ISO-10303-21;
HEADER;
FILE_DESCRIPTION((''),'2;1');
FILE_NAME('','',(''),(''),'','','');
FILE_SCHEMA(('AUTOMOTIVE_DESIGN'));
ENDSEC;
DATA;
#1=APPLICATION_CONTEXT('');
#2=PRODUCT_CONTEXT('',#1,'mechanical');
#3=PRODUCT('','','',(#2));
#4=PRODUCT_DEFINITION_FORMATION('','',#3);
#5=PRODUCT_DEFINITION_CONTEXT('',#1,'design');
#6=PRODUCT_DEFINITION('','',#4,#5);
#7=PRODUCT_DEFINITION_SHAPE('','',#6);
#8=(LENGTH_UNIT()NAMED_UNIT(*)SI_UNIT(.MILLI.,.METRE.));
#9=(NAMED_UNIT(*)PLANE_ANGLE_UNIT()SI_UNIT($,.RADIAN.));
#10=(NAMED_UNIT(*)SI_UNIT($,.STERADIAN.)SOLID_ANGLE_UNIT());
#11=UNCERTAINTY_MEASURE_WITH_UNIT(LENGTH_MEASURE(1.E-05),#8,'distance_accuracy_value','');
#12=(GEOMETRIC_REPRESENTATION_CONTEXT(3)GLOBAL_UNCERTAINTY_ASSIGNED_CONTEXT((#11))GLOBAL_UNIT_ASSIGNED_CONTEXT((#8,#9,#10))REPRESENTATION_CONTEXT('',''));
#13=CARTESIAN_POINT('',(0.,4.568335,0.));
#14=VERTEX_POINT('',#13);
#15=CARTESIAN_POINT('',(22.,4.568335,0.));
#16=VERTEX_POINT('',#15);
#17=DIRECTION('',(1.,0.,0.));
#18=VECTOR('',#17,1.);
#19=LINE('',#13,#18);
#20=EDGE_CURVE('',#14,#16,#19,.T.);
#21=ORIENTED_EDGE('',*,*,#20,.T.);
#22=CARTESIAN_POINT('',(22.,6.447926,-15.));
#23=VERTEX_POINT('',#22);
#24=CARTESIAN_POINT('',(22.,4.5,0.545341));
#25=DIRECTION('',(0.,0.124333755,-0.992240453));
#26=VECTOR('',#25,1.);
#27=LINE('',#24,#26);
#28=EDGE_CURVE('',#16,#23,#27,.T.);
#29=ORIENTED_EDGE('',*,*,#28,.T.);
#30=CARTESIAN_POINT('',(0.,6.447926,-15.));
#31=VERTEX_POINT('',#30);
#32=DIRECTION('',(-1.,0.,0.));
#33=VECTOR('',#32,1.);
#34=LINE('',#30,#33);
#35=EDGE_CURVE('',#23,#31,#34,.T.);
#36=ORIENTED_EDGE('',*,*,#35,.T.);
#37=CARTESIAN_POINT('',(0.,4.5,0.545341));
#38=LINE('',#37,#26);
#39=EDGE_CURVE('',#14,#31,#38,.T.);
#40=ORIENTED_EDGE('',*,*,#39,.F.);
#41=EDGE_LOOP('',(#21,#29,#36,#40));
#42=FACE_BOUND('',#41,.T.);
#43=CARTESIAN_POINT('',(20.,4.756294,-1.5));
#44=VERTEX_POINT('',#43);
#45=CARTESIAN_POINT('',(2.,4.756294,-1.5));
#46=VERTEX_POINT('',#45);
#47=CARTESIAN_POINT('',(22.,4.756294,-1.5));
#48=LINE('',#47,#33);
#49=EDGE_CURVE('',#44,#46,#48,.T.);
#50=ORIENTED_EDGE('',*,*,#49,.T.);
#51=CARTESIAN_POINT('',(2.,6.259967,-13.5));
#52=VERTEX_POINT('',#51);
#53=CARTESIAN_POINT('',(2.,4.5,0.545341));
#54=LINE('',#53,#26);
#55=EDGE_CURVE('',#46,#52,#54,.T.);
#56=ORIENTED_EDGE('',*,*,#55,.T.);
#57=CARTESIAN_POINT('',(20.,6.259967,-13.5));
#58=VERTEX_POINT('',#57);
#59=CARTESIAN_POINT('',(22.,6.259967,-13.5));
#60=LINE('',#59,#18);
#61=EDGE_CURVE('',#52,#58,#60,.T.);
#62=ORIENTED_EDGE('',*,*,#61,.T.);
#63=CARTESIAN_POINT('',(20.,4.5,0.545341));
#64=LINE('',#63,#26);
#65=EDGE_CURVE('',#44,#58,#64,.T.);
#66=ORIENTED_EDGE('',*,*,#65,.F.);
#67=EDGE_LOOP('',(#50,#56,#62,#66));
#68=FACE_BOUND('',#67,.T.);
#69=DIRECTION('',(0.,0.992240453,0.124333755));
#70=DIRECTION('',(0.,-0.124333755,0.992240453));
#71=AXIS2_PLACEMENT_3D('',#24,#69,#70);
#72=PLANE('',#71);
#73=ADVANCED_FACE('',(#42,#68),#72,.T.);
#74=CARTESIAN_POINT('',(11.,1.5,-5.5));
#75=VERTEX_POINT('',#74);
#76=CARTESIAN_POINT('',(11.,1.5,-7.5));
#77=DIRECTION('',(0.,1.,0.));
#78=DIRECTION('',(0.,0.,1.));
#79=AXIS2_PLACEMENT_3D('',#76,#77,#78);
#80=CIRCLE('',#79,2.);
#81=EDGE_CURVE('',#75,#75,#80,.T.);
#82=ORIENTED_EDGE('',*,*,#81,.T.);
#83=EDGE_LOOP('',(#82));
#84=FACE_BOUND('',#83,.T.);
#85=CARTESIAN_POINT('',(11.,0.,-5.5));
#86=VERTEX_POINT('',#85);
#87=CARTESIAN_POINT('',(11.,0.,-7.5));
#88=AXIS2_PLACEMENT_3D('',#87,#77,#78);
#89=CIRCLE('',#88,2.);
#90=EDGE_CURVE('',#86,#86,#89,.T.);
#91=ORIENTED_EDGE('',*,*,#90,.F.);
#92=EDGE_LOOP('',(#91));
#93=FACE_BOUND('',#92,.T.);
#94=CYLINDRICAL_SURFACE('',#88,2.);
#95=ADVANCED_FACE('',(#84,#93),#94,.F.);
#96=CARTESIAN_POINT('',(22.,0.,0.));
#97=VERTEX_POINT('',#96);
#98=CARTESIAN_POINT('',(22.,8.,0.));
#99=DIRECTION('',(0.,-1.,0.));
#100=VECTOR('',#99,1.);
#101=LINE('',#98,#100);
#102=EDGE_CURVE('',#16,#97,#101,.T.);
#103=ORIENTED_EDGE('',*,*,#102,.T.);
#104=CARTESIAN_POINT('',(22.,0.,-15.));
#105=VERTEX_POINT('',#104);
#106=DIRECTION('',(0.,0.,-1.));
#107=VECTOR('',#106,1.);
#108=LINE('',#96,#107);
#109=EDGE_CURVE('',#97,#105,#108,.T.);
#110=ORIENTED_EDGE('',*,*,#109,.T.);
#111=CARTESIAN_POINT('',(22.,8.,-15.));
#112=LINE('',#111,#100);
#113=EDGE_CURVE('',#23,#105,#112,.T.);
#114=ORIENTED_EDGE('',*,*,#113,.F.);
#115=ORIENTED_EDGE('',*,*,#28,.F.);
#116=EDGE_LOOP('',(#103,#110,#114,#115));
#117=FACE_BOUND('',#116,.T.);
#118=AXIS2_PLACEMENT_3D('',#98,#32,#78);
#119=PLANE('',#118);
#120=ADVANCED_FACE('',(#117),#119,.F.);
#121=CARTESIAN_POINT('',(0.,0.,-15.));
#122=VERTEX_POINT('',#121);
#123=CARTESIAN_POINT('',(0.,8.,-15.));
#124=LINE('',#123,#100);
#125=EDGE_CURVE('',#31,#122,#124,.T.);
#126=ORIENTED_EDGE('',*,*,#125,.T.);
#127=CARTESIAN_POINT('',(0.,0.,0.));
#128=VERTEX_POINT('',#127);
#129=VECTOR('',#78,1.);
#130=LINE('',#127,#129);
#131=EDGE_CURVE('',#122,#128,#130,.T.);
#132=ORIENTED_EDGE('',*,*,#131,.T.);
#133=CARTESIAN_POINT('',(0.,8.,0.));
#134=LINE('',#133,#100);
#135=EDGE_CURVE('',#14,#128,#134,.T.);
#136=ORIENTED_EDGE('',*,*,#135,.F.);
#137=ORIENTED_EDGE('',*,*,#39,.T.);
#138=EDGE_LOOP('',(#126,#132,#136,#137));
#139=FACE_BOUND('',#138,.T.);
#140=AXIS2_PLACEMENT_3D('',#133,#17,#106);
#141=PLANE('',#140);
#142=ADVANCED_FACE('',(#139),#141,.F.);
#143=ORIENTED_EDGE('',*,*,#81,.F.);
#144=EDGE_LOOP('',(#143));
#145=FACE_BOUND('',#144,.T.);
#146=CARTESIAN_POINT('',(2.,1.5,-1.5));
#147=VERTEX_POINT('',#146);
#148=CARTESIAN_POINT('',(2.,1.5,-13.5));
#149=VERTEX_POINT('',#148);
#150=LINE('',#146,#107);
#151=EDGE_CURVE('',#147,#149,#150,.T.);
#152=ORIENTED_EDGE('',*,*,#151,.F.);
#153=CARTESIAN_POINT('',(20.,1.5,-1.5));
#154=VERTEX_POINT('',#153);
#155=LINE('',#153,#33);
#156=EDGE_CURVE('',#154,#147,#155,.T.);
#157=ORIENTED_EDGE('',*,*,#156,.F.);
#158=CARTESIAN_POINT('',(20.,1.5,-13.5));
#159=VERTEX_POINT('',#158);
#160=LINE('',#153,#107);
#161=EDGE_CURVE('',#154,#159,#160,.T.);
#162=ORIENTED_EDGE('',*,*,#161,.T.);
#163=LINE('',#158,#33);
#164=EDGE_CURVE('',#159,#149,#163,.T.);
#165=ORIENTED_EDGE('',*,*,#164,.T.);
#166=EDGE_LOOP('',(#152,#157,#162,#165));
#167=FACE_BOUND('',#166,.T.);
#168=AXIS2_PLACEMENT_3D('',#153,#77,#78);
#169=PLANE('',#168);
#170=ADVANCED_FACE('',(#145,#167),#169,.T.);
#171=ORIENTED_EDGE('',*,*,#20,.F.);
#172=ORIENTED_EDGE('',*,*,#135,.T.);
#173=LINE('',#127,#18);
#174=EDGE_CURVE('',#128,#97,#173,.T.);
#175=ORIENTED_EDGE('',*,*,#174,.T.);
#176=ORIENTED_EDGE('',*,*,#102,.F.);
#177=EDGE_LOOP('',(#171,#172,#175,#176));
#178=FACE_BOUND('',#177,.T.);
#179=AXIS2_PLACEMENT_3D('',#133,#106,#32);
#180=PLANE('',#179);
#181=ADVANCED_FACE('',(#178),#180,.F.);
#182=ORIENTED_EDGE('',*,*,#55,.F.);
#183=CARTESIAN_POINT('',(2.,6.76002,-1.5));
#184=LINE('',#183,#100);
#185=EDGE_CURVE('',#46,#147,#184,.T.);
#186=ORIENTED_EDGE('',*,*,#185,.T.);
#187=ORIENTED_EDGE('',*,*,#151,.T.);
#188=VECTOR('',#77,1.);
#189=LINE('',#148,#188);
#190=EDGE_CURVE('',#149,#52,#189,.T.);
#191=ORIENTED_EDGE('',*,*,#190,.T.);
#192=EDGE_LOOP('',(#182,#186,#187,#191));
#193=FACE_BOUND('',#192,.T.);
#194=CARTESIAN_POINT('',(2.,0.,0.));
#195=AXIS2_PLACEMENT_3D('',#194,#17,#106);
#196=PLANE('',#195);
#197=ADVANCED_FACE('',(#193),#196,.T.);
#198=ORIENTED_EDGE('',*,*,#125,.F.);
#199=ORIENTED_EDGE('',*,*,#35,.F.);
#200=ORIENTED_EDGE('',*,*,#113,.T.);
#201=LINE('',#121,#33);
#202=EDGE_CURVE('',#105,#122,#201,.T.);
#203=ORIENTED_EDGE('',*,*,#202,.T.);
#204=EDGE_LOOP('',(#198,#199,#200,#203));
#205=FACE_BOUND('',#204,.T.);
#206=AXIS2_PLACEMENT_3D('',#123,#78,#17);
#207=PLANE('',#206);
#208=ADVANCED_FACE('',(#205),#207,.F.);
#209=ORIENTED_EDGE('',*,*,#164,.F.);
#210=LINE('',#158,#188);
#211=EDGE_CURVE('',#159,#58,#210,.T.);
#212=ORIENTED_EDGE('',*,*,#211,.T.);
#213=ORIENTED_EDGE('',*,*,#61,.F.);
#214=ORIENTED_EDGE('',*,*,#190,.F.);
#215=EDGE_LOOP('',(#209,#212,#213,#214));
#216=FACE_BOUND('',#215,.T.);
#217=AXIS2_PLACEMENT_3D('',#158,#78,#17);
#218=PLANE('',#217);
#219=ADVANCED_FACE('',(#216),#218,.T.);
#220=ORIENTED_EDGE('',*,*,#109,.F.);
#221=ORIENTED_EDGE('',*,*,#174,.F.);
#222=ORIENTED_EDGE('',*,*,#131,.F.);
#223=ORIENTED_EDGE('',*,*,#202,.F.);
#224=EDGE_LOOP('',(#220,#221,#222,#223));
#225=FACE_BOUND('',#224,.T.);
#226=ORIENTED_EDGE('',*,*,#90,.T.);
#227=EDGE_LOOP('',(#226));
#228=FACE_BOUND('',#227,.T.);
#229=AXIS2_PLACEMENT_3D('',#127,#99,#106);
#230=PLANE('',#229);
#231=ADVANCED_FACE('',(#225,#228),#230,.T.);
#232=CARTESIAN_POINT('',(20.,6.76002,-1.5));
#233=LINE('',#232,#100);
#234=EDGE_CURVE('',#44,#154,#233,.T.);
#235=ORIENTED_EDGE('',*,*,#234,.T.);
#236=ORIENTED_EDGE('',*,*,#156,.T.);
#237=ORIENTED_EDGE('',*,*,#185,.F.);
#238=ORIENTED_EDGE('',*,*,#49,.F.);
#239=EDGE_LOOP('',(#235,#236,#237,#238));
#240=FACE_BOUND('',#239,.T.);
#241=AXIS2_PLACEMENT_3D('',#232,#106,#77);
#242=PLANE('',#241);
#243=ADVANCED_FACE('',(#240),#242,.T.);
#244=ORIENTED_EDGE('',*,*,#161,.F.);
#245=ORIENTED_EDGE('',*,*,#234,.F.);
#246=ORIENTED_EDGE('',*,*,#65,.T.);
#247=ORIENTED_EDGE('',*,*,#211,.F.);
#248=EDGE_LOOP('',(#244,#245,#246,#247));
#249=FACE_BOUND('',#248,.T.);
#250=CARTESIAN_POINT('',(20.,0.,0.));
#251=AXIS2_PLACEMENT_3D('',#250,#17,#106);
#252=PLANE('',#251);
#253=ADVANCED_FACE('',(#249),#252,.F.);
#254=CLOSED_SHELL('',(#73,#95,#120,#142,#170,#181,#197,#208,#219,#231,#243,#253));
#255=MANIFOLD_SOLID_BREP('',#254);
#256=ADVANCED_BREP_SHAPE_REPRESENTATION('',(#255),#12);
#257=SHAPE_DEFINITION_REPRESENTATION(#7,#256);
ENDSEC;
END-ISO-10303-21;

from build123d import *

# Parameters (mm, degrees)
SKETCH2_W               = 22
SKETCH2_H               = 15
BOSS_EXTRUDE1_DEPTH     = 8
CUT_EXTRUDE2_DEPTH      = 27.248809497
CUT_EXTRUDE2_DEPTH_BACK = 27.248809497
SKETCH7_W               = 12
SKETCH7_H               = 5.260019913
CUT_EXTRUDE3_DEPTH      = 18
CUT_EXTRUDE4_DEPTH      = 28.082872227
CUT_EXTRUDE4_DEPTH_BACK = 28.082872227
SKETCH9_R               = 2


with BuildPart() as part:
    # Sketch2 → Boss-Extrude1 (new body)
    with BuildSketch(Plane(origin=(0, 0, 0), x_dir=(1, 0, 0), z_dir=(0, 1, 0))):
        with Locations((11, 7.5)):
            Rectangle(SKETCH2_W, SKETCH2_H)
    extrude(amount=BOSS_EXTRUDE1_DEPTH)

    # Sketch6 → Cut-Extrude2 (cut, two sides: drawn at the far end of the back side and taken through both)
    with BuildSketch(Plane(origin=(2, 0, 0), x_dir=(0, 0, -1), z_dir=(1, 0, 0)).offset(-CUT_EXTRUDE2_DEPTH_BACK)):
        Polygon((-0.545340916, 4.5), (15.415577352, 6.5), (15.415577352, 8.571331794), (-0.545340916, 8.571331794), align=None)
    extrude(amount=CUT_EXTRUDE2_DEPTH + CUT_EXTRUDE2_DEPTH_BACK, mode=Mode.SUBTRACT)

    # Sketch7 → Cut-Extrude3 (cut)
    with BuildSketch(Plane(origin=(2, 0, 0), x_dir=(0, 0, -1), z_dir=(1, 0, 0))):
        with Locations((7.5, 4.130009957)):
            Rectangle(SKETCH7_W, SKETCH7_H)
    extrude(amount=CUT_EXTRUDE3_DEPTH, mode=Mode.SUBTRACT)

    # Sketch9 → Cut-Extrude4 (cut, two sides: drawn at the far end of the back side and taken through both)
    with BuildSketch(Plane(origin=(0, 1.5, 0), x_dir=(1, 0, 0), z_dir=(0, 1, 0)).offset(-CUT_EXTRUDE4_DEPTH_BACK)):
        with Locations(Location((11, 7.5, 0), (0, 0, 270))):
            Circle(SKETCH9_R)
    extrude(amount=CUT_EXTRUDE4_DEPTH + CUT_EXTRUDE4_DEPTH_BACK, mode=Mode.SUBTRACT)


solid = part.part
